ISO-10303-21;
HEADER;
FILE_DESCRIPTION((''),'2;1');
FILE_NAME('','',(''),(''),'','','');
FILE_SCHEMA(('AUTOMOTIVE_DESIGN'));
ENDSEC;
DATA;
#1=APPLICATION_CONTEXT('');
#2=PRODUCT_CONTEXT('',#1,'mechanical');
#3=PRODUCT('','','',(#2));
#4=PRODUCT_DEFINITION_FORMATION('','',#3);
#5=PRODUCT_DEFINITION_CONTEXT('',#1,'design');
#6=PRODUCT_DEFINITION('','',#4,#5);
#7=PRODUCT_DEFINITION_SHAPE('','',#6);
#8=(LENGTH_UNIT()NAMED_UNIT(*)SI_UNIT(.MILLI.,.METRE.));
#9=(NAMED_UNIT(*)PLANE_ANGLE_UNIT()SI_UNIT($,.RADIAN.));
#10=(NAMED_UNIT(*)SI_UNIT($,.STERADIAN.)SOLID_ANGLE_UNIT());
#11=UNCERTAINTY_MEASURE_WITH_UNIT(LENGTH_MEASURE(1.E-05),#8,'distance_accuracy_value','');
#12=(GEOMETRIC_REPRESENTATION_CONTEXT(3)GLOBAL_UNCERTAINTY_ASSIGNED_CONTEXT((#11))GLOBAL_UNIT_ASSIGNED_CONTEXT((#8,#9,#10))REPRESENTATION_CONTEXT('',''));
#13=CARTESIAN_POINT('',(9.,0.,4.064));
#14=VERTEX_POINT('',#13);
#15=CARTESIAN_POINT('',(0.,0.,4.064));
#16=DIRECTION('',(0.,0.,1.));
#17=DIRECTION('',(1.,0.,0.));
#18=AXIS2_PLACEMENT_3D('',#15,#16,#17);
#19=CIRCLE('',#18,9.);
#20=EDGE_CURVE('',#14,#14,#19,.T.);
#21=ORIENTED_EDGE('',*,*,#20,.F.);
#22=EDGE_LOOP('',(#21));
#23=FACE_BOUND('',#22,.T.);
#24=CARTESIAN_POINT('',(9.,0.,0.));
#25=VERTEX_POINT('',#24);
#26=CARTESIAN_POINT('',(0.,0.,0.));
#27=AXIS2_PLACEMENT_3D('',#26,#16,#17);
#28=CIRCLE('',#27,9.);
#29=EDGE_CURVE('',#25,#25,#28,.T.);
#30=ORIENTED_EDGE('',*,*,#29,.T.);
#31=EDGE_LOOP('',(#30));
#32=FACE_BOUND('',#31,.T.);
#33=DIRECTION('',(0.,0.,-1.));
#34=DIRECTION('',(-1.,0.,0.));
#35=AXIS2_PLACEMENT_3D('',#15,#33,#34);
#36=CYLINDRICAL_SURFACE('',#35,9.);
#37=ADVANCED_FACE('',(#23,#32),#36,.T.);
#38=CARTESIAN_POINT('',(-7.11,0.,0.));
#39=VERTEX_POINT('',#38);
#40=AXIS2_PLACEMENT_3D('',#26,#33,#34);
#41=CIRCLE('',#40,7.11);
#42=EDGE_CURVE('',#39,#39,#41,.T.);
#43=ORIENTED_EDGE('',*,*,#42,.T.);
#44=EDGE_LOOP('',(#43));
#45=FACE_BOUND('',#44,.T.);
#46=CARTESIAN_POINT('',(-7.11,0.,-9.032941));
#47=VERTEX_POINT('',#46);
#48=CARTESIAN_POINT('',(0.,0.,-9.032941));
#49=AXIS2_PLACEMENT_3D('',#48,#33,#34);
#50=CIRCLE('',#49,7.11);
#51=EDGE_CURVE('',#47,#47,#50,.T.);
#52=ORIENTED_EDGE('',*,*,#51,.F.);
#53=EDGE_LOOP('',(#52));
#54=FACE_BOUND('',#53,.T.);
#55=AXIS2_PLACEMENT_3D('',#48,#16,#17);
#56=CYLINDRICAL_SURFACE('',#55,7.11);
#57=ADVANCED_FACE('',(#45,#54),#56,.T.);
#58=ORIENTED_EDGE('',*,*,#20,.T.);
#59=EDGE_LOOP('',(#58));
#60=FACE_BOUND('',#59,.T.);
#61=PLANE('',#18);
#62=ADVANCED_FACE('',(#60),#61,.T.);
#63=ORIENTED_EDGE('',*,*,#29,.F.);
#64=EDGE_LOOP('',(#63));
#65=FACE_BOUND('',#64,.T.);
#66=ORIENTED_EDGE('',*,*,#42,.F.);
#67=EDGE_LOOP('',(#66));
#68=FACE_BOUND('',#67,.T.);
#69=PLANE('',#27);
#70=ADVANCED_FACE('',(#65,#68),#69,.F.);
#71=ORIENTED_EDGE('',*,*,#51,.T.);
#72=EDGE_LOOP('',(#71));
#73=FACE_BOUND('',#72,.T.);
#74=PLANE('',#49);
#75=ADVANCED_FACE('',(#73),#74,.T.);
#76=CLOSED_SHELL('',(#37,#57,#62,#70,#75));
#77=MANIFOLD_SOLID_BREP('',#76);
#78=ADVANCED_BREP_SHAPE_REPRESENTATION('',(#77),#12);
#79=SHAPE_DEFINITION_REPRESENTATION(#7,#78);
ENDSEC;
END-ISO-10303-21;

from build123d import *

# Parameters (mm, degrees)
SKETCH1_R           = 9
BOSS_EXTRUDE1_DEPTH = 4.064
SKETCH2_R           = 7.11
BOSS_EXTRUDE2_DEPTH = 9.032941435


with BuildPart() as part:
    # Sketch1 → Boss-Extrude1 (new body)
    with BuildSketch(Plane.XY):
        Circle(SKETCH1_R)
    extrude(amount=BOSS_EXTRUDE1_DEPTH)

    # Sketch2 → Boss-Extrude2 (add)
    with BuildSketch(Plane(origin=(0, 0, 0), x_dir=(-1, 0, 0), z_dir=(0, 0, -1))):
        Circle(SKETCH2_R)
    extrude(amount=BOSS_EXTRUDE2_DEPTH)


solid = part.part
